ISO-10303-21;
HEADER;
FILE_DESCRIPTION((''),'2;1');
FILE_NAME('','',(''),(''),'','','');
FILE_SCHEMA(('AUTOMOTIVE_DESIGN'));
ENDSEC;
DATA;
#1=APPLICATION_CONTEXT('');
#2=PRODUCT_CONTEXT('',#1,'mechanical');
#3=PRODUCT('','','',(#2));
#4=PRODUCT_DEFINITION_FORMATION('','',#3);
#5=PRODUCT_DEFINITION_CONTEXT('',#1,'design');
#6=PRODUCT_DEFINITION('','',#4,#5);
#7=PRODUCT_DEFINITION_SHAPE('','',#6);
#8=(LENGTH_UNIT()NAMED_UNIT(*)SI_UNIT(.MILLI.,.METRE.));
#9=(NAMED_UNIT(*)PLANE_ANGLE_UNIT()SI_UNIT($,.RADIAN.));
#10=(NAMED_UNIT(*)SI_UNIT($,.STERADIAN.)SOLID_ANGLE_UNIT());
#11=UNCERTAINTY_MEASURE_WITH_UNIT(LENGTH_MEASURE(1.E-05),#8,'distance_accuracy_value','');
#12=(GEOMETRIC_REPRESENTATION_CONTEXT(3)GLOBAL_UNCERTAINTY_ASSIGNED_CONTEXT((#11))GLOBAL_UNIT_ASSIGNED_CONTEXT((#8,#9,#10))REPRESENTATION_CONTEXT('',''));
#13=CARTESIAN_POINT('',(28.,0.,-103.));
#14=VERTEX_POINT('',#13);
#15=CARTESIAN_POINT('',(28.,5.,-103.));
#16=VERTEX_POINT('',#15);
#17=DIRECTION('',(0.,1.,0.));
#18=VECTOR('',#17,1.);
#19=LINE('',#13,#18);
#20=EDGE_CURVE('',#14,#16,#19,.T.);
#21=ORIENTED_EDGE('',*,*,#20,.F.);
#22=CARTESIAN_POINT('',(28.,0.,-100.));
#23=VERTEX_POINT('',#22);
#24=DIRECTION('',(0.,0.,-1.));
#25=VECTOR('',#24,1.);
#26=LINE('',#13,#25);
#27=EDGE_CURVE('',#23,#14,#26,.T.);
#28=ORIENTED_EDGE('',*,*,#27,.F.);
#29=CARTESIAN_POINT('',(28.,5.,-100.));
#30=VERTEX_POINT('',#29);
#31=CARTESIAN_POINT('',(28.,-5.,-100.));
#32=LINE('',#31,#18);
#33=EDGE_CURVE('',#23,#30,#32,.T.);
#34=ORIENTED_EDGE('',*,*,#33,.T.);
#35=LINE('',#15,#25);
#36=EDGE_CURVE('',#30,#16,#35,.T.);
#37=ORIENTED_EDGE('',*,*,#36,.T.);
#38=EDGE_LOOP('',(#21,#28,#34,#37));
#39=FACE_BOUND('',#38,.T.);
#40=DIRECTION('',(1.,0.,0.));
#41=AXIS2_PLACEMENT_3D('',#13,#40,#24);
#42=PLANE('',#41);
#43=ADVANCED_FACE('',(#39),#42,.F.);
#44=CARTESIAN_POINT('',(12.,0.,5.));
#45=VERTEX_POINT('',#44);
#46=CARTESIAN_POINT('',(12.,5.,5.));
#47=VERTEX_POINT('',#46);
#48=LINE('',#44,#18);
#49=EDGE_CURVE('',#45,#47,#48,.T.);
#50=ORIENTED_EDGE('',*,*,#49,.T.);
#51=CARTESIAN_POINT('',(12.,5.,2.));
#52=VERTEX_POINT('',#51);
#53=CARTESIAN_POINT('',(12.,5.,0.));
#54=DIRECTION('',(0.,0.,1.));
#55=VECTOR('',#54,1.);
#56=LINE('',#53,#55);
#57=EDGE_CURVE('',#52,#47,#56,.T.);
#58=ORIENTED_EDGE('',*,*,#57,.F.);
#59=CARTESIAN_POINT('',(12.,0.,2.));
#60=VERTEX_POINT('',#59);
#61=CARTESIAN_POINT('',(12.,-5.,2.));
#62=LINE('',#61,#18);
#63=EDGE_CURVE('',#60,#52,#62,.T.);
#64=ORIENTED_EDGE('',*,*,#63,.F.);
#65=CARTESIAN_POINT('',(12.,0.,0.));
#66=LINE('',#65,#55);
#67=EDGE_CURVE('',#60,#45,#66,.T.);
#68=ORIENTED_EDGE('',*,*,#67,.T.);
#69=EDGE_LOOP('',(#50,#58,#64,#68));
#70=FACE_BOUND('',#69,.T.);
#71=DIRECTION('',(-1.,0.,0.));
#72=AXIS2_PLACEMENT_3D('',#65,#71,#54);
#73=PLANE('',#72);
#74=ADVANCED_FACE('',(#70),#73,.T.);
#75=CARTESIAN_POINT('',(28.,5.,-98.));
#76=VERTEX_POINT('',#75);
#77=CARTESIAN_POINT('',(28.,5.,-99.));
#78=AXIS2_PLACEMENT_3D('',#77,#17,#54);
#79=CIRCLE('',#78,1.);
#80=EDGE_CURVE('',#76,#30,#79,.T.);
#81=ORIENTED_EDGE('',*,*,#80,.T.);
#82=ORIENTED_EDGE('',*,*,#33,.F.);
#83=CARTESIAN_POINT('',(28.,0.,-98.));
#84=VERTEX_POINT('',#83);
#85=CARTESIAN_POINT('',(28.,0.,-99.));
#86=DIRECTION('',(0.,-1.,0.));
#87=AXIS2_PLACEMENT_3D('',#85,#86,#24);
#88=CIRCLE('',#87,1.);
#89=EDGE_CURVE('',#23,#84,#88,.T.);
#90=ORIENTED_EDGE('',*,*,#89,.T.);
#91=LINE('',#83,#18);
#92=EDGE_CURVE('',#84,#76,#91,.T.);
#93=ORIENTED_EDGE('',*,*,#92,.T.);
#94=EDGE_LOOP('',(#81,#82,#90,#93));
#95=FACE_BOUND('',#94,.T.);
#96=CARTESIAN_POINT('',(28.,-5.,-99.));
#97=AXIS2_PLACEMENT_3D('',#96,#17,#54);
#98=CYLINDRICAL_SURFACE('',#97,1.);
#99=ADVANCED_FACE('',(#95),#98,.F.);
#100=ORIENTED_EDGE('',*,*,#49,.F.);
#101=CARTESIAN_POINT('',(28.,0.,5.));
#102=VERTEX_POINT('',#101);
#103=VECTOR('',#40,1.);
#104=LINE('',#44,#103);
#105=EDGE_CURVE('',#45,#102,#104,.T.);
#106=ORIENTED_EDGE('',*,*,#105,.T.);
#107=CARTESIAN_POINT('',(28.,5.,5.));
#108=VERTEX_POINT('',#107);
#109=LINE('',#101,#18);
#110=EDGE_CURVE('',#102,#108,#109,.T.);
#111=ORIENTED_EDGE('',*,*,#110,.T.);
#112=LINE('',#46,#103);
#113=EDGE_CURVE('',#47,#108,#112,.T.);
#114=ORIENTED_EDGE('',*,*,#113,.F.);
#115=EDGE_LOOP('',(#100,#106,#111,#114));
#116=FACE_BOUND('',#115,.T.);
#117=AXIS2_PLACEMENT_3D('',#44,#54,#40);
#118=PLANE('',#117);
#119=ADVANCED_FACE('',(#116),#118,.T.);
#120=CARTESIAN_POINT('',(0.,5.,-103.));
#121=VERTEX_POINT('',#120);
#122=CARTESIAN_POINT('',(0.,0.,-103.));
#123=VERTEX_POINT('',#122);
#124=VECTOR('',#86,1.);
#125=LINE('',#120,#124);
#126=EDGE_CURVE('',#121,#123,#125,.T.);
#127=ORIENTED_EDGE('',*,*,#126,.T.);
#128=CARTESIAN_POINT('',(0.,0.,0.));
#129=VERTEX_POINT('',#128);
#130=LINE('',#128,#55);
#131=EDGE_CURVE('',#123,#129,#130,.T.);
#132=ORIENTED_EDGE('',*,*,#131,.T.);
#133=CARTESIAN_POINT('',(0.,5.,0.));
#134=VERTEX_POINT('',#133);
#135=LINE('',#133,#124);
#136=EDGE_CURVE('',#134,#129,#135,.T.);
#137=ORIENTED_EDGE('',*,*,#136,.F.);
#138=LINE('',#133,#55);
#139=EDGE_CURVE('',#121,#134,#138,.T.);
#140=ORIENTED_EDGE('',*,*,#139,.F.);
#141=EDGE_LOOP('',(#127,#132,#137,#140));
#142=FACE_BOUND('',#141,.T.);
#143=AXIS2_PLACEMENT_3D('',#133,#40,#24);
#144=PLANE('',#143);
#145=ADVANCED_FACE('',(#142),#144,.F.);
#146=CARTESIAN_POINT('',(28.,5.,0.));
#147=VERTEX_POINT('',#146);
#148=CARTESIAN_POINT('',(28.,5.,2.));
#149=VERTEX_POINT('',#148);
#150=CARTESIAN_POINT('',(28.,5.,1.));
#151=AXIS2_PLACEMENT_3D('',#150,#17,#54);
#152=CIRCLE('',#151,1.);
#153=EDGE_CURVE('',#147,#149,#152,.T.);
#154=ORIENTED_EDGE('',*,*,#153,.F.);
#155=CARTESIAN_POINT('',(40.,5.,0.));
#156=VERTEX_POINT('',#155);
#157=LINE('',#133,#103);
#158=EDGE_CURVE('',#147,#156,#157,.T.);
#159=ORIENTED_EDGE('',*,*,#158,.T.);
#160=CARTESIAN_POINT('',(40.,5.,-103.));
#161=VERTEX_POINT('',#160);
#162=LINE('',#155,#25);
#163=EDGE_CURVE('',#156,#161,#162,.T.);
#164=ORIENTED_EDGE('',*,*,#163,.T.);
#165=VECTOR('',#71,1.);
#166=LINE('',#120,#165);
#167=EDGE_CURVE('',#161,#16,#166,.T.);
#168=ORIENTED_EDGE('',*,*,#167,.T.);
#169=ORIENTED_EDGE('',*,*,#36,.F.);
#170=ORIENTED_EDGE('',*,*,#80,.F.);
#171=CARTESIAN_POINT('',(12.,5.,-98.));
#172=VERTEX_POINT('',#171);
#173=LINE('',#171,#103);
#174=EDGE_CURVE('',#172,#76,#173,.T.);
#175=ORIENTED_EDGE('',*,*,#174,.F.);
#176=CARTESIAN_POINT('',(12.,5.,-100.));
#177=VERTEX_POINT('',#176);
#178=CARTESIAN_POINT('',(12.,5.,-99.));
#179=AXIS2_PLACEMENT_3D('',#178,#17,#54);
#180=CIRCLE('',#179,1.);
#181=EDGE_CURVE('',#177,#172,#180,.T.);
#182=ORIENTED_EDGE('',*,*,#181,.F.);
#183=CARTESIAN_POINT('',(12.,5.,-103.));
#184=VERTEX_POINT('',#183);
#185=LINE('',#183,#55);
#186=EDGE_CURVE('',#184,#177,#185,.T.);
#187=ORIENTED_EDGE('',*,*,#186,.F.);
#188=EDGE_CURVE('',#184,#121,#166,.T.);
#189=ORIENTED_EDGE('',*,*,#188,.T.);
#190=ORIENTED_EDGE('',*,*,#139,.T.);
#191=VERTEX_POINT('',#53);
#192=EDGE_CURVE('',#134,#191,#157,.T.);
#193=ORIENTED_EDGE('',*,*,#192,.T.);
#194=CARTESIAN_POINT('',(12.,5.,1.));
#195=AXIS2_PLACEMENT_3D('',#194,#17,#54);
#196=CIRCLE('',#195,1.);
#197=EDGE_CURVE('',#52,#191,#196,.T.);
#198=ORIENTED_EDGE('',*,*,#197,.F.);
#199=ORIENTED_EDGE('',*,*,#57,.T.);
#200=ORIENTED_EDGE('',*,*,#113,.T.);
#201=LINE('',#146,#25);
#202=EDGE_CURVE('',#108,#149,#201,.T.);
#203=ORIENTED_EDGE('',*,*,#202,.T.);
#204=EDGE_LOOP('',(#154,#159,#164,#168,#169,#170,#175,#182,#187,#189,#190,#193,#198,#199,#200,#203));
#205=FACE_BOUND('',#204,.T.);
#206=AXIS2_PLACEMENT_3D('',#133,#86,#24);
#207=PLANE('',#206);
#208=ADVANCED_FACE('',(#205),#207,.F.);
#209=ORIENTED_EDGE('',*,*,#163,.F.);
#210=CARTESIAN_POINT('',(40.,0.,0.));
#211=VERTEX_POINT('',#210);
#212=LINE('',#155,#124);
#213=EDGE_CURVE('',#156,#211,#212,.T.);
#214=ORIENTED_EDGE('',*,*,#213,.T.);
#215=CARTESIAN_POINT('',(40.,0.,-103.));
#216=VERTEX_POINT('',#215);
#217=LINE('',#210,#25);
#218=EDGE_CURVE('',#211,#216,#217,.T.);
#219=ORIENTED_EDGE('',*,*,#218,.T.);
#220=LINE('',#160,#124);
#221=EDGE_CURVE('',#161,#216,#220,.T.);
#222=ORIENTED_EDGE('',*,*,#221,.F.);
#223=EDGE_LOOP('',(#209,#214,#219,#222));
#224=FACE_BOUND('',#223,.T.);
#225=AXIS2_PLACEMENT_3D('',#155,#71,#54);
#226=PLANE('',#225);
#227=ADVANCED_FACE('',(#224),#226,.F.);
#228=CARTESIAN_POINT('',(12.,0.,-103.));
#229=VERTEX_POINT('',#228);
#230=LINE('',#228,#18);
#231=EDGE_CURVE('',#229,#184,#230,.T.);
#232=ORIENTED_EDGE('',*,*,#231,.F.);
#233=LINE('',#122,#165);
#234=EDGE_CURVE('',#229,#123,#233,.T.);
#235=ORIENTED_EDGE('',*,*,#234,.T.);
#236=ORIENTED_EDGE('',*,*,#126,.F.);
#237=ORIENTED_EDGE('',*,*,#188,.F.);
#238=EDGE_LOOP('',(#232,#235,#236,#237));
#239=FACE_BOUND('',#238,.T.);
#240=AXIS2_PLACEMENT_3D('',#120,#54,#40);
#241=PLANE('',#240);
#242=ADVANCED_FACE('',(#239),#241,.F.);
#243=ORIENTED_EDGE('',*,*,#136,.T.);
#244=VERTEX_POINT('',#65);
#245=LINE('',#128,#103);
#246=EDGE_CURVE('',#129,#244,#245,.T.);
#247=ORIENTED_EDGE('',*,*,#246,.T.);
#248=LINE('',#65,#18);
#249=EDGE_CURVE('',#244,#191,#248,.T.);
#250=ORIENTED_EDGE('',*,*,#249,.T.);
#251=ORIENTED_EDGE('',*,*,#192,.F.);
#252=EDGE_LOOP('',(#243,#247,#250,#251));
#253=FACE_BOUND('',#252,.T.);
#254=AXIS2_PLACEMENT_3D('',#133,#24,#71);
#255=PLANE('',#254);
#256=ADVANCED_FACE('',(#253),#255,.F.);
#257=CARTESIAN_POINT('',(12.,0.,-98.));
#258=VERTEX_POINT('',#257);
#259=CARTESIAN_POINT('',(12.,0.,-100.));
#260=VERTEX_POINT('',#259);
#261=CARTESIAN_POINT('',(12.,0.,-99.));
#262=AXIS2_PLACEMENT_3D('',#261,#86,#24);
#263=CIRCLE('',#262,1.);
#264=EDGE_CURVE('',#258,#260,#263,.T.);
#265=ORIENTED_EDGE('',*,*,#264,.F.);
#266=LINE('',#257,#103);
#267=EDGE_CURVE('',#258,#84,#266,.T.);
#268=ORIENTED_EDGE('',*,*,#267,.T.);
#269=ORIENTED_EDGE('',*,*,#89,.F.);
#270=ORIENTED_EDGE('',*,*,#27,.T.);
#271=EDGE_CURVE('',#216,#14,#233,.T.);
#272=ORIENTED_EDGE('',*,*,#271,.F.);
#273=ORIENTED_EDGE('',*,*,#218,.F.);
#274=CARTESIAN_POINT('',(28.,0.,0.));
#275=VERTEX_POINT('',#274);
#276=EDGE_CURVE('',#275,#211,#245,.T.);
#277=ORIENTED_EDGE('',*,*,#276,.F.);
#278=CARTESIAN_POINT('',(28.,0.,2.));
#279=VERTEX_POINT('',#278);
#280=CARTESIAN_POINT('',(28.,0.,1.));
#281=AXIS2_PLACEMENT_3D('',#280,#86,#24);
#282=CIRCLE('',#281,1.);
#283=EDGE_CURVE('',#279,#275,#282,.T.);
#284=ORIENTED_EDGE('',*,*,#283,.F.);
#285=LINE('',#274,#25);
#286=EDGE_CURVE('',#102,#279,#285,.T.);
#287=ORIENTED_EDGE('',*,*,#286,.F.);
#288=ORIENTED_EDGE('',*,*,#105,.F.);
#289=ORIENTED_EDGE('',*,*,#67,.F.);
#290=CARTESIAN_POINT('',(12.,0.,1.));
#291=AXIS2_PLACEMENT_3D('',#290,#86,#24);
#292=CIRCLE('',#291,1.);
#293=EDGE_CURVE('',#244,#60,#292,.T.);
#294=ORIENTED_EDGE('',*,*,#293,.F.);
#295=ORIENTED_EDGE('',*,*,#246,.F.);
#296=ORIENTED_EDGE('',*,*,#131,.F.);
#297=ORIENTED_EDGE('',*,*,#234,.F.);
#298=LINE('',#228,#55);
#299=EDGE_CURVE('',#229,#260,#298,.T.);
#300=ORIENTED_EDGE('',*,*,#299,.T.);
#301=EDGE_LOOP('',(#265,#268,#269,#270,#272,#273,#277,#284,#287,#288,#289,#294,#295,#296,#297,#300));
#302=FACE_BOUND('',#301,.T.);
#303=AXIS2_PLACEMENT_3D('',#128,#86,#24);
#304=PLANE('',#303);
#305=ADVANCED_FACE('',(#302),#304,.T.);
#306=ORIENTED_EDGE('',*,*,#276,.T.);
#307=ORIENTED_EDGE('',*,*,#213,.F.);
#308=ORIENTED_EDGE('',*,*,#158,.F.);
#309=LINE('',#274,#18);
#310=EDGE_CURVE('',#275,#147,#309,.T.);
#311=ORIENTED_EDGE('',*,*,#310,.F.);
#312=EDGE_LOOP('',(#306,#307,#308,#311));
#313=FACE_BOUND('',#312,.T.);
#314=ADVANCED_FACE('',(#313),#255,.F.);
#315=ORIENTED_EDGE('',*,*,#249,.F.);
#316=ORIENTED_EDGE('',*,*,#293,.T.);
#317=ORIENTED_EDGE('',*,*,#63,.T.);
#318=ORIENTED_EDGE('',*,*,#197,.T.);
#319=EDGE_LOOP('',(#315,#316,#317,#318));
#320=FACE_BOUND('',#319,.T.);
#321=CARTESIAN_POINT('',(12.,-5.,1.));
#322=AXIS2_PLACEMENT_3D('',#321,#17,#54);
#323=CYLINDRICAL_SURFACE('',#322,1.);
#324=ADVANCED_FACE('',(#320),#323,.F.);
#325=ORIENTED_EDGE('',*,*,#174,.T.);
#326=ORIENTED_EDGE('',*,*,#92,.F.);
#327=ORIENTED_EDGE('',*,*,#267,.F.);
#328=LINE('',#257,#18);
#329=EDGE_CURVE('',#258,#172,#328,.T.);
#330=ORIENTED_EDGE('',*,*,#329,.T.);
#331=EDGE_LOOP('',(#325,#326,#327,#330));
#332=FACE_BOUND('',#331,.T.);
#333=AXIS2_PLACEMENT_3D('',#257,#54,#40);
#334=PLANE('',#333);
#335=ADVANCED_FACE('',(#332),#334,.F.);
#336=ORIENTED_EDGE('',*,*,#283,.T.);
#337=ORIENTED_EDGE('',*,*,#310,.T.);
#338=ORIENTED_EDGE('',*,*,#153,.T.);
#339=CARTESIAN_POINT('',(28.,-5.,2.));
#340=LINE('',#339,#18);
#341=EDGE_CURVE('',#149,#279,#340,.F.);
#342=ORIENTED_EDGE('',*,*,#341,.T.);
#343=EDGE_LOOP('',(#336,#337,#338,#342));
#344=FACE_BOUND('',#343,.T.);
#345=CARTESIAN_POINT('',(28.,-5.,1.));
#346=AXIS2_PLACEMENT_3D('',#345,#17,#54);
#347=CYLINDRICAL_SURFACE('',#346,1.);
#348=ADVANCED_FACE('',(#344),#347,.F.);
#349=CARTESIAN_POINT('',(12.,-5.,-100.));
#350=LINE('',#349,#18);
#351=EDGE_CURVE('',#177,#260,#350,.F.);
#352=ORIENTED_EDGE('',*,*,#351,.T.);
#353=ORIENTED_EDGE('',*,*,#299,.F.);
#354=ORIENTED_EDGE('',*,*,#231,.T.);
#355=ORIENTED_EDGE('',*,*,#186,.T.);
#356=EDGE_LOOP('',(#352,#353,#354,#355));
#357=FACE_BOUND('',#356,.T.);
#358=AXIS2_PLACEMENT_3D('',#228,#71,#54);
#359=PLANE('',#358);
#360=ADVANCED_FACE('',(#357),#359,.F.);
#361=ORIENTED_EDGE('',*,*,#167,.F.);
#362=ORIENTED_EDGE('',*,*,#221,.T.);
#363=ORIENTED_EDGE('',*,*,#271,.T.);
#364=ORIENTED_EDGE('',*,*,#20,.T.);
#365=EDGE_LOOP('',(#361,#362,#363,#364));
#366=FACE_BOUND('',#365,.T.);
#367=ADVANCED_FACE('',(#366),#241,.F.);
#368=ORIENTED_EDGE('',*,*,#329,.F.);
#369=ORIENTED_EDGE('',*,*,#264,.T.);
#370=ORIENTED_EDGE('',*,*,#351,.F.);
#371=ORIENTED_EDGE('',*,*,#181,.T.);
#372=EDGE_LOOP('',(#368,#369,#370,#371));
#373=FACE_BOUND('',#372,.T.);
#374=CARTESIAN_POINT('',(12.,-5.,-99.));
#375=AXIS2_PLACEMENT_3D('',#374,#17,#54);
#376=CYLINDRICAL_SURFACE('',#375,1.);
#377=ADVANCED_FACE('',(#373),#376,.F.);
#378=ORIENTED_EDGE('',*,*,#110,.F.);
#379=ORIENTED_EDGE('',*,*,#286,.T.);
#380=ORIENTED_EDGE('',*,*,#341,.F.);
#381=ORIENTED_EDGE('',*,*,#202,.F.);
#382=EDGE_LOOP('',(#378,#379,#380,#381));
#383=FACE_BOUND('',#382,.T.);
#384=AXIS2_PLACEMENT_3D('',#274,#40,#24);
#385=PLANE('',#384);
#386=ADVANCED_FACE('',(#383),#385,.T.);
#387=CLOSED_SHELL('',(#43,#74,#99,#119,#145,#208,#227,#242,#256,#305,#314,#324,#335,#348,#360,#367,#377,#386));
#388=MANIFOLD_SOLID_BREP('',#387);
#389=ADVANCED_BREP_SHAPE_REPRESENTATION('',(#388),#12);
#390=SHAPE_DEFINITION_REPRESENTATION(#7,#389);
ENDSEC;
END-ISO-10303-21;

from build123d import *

# Parameters (mm, degrees)
SKETCH_1_W          = 40
SKETCH_1_H          = 103
EXTRUDE_1_DEPTH     = 5
SKETCH_2_W          = 16
SKETCH_2_H          = 5
CUT_EXTRUDE_2_DEPTH = 5
SKETCH_3_W          = 16
SKETCH_3_H          = 5
EXTRUDE_3_DEPTH     = 5
SKETCH_4_R          = 1
CUT_EXTRUDE_3_DEPTH = 10


with BuildPart() as part:
    # 스케치1 → 보스-돌출1 (new body)
    with BuildSketch(Plane(origin=(0, 0, 0), x_dir=(1, 0, 0), z_dir=(0, 1, 0))):
        with Locations((20, 51.5)):
            Rectangle(SKETCH_1_W, SKETCH_1_H)
    extrude(amount=EXTRUDE_1_DEPTH)

    # 스케치2 → 컷-돌출2 (cut)
    with BuildSketch(Plane(origin=(0, 5, 0), x_dir=(1, 0, 0), z_dir=(0, 1, 0))):
        with Locations((20, 100.5)):
            Rectangle(SKETCH_2_W, SKETCH_2_H)
    extrude(amount=-CUT_EXTRUDE_2_DEPTH, mode=Mode.SUBTRACT)

    # 스케치3 → 보스-돌출3 (add)
    with BuildSketch(Plane(origin=(0, 5, 0), x_dir=(1, 0, 0), z_dir=(0, 1, 0))):
        with Locations((20, -2.5)):
            Rectangle(SKETCH_3_W, SKETCH_3_H)
    extrude(amount=-EXTRUDE_3_DEPTH)

    # 스케치4 → 컷-돌출3 (cut)
    with BuildSketch(Plane(origin=(0, 5, 0), x_dir=(1, 0, 0), z_dir=(0, 1, 0))):
        with Locations((28, -1)):
            Circle(SKETCH_4_R)
        with Locations((12, -1)):
            Circle(SKETCH_4_R)
        with Locations((12, 99)):
            Circle(SKETCH_4_R)
        with Locations((28, 99)):
            Circle(SKETCH_4_R)
    extrude(amount=-CUT_EXTRUDE_3_DEPTH, mode=Mode.SUBTRACT)


solid = part.part
